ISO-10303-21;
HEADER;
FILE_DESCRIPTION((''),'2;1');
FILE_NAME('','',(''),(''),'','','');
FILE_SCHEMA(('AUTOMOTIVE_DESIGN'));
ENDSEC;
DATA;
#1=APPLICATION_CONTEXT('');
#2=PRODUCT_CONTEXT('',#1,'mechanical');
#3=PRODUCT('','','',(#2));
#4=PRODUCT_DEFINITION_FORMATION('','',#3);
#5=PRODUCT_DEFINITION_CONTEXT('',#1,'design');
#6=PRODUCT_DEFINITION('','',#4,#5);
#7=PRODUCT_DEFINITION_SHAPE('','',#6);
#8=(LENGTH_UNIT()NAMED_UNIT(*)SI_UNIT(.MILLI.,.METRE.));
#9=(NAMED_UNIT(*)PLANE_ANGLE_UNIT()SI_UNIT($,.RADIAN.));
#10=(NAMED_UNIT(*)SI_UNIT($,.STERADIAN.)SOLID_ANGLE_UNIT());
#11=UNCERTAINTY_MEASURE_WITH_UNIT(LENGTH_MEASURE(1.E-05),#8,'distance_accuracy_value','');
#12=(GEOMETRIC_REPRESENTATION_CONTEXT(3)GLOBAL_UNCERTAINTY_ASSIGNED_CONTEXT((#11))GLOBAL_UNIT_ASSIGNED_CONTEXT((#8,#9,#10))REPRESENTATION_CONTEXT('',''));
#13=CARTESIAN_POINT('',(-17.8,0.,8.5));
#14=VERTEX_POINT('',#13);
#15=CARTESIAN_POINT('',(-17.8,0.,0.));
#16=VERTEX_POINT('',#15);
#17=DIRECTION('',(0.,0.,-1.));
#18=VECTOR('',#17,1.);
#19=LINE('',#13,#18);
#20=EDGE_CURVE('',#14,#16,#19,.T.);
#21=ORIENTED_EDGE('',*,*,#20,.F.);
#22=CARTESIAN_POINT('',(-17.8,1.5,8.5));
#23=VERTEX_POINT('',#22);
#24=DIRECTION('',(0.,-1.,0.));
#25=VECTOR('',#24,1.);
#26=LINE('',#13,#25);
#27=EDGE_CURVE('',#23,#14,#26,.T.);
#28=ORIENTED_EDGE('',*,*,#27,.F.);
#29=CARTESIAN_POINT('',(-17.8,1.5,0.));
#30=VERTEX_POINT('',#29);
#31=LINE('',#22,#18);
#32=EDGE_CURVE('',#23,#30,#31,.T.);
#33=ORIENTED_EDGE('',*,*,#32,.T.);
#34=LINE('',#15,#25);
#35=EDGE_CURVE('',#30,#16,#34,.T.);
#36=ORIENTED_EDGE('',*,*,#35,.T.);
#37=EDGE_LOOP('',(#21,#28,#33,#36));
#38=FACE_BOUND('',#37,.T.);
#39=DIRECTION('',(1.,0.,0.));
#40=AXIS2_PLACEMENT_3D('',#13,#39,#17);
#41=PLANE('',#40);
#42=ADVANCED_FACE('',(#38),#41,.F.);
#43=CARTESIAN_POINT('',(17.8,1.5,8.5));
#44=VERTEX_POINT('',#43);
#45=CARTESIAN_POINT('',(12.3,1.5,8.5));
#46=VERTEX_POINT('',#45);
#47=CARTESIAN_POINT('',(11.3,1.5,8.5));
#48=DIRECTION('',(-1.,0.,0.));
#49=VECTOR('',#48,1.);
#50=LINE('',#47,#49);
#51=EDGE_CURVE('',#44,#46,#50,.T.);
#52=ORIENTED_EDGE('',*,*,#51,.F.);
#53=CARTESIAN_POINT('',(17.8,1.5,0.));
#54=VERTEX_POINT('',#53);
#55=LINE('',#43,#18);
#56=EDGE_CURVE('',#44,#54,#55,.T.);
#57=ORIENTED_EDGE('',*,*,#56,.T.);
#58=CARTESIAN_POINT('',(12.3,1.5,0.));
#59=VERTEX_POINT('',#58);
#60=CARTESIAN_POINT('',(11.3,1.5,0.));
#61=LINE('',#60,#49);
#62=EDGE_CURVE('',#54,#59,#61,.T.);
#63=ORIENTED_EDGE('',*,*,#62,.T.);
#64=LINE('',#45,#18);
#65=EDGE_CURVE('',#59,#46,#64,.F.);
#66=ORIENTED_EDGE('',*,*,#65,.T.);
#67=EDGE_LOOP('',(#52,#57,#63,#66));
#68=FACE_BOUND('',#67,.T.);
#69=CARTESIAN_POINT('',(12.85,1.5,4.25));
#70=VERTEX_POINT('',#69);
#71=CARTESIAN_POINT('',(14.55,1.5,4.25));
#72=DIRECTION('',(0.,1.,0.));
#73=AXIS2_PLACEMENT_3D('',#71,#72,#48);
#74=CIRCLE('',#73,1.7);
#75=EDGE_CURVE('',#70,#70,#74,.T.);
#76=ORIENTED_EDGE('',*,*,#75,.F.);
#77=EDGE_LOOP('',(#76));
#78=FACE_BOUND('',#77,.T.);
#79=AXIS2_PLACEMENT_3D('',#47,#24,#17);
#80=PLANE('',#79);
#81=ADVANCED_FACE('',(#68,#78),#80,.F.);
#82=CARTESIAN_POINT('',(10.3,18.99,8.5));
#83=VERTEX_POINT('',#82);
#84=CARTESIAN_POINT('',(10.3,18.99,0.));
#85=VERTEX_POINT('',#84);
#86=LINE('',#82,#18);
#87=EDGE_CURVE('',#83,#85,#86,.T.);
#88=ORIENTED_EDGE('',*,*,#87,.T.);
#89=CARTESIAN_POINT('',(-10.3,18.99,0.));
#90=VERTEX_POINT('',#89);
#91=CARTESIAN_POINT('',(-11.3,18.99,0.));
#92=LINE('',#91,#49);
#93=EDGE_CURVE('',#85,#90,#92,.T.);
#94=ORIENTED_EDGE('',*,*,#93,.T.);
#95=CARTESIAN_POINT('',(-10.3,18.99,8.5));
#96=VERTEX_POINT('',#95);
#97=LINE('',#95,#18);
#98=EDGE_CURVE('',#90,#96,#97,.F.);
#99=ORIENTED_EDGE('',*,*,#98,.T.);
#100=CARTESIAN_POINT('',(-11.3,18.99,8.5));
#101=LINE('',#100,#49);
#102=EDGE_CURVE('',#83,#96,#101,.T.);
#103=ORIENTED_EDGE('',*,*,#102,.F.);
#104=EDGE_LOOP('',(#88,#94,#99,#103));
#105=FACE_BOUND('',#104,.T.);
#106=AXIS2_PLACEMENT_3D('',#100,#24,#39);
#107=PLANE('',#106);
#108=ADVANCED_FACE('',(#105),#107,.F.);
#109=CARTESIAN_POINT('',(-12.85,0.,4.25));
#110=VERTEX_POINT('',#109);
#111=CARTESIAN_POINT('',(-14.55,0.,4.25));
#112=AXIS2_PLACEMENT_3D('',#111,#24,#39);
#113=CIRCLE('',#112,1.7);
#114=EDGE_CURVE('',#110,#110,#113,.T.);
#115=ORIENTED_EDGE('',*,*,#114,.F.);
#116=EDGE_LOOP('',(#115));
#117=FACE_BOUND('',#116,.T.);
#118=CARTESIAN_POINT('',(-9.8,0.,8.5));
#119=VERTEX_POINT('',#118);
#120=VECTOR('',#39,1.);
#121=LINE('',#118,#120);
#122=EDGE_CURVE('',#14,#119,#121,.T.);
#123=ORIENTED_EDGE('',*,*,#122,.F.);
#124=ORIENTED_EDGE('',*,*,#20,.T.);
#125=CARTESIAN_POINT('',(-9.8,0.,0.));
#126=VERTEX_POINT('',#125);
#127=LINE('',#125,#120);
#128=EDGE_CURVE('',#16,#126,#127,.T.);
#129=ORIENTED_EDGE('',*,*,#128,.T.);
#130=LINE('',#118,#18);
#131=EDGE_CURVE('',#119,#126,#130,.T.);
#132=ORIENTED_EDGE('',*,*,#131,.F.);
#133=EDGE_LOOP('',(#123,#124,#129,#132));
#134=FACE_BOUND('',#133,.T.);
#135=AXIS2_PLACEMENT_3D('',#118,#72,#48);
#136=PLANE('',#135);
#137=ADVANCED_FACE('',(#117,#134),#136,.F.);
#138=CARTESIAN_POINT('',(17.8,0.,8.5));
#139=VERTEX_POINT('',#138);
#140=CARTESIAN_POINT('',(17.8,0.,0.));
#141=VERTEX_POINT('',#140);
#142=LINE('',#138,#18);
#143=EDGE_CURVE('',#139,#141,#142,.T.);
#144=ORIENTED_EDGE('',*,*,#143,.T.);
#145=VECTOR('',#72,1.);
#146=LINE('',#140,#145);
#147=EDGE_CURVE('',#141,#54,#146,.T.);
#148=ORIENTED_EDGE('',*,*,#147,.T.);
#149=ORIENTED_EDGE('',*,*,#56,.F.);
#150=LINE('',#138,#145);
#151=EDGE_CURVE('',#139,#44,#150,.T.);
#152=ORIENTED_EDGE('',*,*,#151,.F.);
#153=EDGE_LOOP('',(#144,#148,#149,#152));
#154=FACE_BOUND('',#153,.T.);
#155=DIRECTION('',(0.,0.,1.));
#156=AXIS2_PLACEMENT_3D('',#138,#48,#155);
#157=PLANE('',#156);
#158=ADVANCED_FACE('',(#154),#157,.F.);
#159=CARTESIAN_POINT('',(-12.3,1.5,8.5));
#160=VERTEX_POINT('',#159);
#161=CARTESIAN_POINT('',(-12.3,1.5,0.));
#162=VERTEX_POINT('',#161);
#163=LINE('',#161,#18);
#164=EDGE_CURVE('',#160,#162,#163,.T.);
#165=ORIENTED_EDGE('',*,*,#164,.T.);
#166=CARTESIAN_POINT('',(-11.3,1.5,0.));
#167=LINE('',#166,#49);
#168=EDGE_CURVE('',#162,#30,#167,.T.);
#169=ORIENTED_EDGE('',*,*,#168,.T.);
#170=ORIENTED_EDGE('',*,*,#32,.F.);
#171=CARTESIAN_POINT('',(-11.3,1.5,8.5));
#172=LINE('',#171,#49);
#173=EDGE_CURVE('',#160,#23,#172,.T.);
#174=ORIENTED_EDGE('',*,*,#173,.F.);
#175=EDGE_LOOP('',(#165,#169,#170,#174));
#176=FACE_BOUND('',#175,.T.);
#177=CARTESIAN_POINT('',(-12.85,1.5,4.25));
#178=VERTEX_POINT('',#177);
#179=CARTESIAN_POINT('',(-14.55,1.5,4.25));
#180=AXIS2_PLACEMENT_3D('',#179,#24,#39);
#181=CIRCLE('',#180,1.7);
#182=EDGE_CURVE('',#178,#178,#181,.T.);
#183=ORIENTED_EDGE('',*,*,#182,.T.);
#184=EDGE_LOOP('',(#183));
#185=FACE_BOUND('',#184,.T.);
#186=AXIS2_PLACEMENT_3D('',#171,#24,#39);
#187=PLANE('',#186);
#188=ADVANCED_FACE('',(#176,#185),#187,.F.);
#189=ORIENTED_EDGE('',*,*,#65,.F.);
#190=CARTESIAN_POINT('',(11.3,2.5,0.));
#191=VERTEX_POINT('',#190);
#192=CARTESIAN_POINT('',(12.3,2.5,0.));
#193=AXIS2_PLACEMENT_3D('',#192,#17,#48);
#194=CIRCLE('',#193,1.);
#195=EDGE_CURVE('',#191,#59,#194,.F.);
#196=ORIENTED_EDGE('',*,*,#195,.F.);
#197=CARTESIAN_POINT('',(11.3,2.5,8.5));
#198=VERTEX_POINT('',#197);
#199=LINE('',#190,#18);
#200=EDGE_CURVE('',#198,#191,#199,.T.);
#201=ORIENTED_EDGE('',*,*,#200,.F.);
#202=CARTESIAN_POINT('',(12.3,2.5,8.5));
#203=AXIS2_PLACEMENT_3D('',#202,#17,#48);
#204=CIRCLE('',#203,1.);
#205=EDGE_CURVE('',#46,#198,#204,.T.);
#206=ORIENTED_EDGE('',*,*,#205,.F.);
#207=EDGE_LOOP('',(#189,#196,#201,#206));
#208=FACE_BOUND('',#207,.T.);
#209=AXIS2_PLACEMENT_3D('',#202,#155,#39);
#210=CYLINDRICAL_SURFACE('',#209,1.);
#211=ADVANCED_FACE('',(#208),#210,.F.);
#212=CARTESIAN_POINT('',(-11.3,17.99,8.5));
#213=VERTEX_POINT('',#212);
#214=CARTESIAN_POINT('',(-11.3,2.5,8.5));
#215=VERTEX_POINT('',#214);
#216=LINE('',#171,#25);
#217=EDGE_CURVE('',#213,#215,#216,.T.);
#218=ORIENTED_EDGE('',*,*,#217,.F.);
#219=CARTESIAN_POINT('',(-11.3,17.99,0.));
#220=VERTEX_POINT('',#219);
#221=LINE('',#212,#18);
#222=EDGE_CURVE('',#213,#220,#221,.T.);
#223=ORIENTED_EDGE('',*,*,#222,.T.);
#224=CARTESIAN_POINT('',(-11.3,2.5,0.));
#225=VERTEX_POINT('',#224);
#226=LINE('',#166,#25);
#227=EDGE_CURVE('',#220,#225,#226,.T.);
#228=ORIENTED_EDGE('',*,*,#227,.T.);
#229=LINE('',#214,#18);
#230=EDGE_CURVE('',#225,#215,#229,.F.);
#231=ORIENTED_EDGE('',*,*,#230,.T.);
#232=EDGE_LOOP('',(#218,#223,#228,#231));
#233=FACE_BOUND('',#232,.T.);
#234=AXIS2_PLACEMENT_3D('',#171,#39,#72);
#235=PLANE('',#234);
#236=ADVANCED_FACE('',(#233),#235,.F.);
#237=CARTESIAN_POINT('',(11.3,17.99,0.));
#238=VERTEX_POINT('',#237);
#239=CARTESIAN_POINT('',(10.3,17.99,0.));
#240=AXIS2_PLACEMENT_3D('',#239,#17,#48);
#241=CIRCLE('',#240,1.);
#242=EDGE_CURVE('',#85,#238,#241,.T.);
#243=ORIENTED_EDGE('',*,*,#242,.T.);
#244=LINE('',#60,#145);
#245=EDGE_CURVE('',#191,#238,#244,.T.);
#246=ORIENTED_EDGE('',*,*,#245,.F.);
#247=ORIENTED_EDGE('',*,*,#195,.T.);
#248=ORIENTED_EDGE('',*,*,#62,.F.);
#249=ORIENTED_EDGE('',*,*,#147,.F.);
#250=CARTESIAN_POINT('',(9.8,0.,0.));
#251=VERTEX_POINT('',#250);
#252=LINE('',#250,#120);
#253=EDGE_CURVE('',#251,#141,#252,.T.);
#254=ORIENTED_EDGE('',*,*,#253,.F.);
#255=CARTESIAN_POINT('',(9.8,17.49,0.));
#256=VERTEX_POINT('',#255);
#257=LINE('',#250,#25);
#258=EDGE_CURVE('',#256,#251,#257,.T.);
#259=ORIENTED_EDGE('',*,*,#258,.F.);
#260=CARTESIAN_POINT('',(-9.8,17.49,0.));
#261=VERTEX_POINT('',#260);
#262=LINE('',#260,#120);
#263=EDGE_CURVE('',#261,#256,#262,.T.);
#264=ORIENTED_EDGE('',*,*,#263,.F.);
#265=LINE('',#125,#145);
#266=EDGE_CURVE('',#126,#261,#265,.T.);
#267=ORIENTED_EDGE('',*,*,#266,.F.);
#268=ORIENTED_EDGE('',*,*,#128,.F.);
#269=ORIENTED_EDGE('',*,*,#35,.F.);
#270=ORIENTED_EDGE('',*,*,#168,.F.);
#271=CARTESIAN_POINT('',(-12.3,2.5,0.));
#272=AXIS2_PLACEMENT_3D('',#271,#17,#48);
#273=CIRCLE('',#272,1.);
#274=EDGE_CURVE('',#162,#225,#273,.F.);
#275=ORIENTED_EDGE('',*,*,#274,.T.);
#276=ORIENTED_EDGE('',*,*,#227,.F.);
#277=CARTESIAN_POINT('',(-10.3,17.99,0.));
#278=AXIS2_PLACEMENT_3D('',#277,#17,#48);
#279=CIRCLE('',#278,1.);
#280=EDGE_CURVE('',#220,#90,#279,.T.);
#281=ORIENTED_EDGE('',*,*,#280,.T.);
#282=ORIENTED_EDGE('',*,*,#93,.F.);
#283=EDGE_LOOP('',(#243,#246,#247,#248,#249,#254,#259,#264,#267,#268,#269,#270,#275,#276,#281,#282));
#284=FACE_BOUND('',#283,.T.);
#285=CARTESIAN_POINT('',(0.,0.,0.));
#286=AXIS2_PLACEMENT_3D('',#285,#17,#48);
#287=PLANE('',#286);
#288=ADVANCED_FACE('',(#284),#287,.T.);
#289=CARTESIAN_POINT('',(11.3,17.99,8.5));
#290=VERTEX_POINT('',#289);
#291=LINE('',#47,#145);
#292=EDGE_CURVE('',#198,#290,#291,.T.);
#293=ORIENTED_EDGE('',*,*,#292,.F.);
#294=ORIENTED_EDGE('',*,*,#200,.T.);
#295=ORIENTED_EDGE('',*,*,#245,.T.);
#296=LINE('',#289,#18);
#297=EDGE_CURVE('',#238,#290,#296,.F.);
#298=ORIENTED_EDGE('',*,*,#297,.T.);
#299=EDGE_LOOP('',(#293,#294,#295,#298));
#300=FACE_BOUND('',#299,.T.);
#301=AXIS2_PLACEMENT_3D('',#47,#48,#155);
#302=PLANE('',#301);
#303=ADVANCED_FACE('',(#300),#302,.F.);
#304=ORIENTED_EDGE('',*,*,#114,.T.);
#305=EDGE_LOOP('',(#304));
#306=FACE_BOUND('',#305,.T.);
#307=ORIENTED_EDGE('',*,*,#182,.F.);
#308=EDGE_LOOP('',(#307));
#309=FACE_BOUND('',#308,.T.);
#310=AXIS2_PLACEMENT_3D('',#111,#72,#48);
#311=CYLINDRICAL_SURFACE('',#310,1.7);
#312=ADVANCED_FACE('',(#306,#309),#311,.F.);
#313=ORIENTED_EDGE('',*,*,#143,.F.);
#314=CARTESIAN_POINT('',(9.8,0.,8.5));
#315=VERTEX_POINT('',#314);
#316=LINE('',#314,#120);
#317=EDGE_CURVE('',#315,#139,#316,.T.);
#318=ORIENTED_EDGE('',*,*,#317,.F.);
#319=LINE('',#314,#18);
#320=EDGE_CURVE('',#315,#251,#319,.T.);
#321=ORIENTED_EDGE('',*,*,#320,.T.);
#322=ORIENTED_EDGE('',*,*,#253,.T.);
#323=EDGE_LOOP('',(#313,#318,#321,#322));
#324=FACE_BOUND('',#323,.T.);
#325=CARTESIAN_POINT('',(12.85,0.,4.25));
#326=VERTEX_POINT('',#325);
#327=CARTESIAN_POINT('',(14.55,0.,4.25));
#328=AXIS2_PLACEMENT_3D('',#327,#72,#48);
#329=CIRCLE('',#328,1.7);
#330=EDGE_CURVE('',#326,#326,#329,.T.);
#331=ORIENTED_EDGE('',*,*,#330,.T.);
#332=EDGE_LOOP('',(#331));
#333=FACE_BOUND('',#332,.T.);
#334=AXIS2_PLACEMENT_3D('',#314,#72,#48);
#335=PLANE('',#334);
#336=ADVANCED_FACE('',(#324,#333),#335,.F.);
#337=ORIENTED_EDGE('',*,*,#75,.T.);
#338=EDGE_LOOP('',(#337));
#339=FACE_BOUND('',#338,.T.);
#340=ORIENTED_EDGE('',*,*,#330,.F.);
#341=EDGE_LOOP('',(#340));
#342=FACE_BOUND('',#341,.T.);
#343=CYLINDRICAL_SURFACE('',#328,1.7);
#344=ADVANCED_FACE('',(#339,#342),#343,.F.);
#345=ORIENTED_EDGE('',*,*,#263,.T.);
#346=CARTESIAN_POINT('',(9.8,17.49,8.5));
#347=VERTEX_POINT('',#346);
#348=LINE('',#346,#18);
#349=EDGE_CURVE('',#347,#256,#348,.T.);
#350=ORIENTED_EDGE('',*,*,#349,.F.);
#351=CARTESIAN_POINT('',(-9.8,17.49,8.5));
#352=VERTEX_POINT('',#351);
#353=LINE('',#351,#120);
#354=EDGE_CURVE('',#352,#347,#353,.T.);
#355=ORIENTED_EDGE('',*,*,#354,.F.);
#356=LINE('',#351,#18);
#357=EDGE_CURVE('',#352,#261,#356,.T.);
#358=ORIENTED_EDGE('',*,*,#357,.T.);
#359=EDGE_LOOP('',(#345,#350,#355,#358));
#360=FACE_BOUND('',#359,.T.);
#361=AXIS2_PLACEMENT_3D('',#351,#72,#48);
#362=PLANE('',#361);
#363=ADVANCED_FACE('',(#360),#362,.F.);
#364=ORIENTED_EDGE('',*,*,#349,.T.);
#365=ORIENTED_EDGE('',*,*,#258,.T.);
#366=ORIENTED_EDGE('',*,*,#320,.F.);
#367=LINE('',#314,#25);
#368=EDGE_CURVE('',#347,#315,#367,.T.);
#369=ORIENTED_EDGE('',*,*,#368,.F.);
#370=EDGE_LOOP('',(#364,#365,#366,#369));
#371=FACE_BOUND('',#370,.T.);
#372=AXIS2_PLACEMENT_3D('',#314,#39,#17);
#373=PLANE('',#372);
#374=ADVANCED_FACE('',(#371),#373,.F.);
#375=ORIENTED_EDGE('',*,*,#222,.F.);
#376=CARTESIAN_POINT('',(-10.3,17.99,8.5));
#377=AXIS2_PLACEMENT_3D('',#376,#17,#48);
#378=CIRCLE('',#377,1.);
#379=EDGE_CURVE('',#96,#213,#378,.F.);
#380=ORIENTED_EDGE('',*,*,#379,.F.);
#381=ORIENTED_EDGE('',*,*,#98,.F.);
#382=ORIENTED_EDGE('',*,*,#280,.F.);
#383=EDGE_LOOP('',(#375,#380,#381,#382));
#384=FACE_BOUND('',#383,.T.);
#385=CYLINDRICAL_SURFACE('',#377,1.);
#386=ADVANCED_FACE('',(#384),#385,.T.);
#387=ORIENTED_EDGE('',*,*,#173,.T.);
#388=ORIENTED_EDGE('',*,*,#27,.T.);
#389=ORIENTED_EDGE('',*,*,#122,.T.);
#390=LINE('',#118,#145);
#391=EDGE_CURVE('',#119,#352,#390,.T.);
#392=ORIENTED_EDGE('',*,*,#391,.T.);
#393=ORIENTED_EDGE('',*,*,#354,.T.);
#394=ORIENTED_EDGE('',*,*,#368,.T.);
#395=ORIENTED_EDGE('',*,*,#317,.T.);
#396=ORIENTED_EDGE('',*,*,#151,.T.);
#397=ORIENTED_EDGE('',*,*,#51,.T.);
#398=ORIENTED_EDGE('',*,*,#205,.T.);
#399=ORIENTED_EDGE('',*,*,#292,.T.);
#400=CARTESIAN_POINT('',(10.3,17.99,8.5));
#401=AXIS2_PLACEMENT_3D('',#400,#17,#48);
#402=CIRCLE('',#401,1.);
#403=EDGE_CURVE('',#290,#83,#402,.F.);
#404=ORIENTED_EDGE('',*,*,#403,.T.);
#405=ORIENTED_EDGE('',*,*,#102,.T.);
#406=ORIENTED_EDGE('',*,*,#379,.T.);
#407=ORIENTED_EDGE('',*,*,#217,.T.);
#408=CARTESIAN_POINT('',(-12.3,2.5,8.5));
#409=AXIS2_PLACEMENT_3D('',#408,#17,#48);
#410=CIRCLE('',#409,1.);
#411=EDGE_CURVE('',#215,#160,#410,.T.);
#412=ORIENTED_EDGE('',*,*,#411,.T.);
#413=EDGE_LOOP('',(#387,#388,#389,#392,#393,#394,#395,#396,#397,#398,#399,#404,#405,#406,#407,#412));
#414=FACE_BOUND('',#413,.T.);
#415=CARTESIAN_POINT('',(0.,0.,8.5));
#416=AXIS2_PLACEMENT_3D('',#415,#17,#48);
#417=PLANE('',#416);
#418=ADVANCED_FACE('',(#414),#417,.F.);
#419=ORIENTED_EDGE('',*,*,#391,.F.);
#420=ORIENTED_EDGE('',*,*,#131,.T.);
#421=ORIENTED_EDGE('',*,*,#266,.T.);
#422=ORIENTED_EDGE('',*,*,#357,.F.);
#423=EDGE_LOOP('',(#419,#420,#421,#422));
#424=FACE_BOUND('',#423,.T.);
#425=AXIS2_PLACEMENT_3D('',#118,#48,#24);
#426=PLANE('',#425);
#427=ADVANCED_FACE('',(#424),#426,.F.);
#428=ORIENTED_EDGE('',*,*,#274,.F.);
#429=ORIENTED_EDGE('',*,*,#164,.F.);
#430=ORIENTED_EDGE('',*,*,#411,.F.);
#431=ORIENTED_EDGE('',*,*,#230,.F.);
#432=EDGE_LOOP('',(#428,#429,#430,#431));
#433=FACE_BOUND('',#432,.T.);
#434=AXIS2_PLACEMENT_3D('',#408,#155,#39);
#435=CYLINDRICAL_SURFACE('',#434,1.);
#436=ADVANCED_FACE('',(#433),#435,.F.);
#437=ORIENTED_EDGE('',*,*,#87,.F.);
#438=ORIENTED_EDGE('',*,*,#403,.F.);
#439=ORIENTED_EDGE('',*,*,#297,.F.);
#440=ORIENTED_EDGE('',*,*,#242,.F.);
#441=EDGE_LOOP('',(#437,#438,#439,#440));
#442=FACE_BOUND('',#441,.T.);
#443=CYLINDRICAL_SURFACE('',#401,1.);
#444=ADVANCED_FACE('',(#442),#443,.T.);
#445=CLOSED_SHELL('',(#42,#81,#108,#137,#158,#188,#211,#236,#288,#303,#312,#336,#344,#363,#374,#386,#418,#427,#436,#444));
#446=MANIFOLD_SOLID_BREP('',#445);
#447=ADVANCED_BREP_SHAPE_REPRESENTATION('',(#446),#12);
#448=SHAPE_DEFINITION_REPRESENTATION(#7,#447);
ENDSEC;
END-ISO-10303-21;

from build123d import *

# Parameters (mm, degrees)
BOSS_EXTRUDE1_DEPTH = 8.5
SKETCH2_R           = 1.7
CUT_EXTRUDE1_DEPTH  = 27.362664888
FILLET1_R           = 1


with BuildPart() as part:
    # Sketch1 → Boss-Extrude1 (new body)
    with BuildSketch(Plane.XY):
        Polygon((-17.8, 0), (-17.8, 1.5), (-11.3, 1.5), (-11.3, 18.99), (11.3, 18.99), (11.3, 1.5), (17.8, 1.5), (17.8, 0), (9.8, 0), (9.8, 17.49), (-9.8, 17.49), (-9.8, 0), align=None)
    extrude(amount=BOSS_EXTRUDE1_DEPTH)

    # Sketch2 → Cut-Extrude1 (cut, through all)
    with BuildSketch(Plane(origin=(0, 1.5, 0), x_dir=(1, 0, 0), z_dir=(0, 1, 0))):
        with Locations(Location((14.55, -4.25, 0), (0, 0, 180))):
            Circle(SKETCH2_R)
    cut_extrude1 = extrude(amount=-CUT_EXTRUDE1_DEPTH, mode=Mode.SUBTRACT)

    # Fillet1
    fillet1_edges = [part.edges().sort_by_distance(p)[0] for p in [
        (-11.3, 1.5, 4.25),
        (-11.3, 18.99, 4.25),
        (11.3, 18.99, 4.25),
        (11.3, 1.5, 4.25),
    ]]
    fillet(fillet1_edges, radius=FILLET1_R)

    # Mirror1: Cut-Extrude1 across plane
    add(cut_extrude1.mirror(Plane(origin=(0, 0, 0), x_dir=(0, 0, 1), z_dir=(1, 0, 0))), mode=Mode.SUBTRACT)


solid = part.part
